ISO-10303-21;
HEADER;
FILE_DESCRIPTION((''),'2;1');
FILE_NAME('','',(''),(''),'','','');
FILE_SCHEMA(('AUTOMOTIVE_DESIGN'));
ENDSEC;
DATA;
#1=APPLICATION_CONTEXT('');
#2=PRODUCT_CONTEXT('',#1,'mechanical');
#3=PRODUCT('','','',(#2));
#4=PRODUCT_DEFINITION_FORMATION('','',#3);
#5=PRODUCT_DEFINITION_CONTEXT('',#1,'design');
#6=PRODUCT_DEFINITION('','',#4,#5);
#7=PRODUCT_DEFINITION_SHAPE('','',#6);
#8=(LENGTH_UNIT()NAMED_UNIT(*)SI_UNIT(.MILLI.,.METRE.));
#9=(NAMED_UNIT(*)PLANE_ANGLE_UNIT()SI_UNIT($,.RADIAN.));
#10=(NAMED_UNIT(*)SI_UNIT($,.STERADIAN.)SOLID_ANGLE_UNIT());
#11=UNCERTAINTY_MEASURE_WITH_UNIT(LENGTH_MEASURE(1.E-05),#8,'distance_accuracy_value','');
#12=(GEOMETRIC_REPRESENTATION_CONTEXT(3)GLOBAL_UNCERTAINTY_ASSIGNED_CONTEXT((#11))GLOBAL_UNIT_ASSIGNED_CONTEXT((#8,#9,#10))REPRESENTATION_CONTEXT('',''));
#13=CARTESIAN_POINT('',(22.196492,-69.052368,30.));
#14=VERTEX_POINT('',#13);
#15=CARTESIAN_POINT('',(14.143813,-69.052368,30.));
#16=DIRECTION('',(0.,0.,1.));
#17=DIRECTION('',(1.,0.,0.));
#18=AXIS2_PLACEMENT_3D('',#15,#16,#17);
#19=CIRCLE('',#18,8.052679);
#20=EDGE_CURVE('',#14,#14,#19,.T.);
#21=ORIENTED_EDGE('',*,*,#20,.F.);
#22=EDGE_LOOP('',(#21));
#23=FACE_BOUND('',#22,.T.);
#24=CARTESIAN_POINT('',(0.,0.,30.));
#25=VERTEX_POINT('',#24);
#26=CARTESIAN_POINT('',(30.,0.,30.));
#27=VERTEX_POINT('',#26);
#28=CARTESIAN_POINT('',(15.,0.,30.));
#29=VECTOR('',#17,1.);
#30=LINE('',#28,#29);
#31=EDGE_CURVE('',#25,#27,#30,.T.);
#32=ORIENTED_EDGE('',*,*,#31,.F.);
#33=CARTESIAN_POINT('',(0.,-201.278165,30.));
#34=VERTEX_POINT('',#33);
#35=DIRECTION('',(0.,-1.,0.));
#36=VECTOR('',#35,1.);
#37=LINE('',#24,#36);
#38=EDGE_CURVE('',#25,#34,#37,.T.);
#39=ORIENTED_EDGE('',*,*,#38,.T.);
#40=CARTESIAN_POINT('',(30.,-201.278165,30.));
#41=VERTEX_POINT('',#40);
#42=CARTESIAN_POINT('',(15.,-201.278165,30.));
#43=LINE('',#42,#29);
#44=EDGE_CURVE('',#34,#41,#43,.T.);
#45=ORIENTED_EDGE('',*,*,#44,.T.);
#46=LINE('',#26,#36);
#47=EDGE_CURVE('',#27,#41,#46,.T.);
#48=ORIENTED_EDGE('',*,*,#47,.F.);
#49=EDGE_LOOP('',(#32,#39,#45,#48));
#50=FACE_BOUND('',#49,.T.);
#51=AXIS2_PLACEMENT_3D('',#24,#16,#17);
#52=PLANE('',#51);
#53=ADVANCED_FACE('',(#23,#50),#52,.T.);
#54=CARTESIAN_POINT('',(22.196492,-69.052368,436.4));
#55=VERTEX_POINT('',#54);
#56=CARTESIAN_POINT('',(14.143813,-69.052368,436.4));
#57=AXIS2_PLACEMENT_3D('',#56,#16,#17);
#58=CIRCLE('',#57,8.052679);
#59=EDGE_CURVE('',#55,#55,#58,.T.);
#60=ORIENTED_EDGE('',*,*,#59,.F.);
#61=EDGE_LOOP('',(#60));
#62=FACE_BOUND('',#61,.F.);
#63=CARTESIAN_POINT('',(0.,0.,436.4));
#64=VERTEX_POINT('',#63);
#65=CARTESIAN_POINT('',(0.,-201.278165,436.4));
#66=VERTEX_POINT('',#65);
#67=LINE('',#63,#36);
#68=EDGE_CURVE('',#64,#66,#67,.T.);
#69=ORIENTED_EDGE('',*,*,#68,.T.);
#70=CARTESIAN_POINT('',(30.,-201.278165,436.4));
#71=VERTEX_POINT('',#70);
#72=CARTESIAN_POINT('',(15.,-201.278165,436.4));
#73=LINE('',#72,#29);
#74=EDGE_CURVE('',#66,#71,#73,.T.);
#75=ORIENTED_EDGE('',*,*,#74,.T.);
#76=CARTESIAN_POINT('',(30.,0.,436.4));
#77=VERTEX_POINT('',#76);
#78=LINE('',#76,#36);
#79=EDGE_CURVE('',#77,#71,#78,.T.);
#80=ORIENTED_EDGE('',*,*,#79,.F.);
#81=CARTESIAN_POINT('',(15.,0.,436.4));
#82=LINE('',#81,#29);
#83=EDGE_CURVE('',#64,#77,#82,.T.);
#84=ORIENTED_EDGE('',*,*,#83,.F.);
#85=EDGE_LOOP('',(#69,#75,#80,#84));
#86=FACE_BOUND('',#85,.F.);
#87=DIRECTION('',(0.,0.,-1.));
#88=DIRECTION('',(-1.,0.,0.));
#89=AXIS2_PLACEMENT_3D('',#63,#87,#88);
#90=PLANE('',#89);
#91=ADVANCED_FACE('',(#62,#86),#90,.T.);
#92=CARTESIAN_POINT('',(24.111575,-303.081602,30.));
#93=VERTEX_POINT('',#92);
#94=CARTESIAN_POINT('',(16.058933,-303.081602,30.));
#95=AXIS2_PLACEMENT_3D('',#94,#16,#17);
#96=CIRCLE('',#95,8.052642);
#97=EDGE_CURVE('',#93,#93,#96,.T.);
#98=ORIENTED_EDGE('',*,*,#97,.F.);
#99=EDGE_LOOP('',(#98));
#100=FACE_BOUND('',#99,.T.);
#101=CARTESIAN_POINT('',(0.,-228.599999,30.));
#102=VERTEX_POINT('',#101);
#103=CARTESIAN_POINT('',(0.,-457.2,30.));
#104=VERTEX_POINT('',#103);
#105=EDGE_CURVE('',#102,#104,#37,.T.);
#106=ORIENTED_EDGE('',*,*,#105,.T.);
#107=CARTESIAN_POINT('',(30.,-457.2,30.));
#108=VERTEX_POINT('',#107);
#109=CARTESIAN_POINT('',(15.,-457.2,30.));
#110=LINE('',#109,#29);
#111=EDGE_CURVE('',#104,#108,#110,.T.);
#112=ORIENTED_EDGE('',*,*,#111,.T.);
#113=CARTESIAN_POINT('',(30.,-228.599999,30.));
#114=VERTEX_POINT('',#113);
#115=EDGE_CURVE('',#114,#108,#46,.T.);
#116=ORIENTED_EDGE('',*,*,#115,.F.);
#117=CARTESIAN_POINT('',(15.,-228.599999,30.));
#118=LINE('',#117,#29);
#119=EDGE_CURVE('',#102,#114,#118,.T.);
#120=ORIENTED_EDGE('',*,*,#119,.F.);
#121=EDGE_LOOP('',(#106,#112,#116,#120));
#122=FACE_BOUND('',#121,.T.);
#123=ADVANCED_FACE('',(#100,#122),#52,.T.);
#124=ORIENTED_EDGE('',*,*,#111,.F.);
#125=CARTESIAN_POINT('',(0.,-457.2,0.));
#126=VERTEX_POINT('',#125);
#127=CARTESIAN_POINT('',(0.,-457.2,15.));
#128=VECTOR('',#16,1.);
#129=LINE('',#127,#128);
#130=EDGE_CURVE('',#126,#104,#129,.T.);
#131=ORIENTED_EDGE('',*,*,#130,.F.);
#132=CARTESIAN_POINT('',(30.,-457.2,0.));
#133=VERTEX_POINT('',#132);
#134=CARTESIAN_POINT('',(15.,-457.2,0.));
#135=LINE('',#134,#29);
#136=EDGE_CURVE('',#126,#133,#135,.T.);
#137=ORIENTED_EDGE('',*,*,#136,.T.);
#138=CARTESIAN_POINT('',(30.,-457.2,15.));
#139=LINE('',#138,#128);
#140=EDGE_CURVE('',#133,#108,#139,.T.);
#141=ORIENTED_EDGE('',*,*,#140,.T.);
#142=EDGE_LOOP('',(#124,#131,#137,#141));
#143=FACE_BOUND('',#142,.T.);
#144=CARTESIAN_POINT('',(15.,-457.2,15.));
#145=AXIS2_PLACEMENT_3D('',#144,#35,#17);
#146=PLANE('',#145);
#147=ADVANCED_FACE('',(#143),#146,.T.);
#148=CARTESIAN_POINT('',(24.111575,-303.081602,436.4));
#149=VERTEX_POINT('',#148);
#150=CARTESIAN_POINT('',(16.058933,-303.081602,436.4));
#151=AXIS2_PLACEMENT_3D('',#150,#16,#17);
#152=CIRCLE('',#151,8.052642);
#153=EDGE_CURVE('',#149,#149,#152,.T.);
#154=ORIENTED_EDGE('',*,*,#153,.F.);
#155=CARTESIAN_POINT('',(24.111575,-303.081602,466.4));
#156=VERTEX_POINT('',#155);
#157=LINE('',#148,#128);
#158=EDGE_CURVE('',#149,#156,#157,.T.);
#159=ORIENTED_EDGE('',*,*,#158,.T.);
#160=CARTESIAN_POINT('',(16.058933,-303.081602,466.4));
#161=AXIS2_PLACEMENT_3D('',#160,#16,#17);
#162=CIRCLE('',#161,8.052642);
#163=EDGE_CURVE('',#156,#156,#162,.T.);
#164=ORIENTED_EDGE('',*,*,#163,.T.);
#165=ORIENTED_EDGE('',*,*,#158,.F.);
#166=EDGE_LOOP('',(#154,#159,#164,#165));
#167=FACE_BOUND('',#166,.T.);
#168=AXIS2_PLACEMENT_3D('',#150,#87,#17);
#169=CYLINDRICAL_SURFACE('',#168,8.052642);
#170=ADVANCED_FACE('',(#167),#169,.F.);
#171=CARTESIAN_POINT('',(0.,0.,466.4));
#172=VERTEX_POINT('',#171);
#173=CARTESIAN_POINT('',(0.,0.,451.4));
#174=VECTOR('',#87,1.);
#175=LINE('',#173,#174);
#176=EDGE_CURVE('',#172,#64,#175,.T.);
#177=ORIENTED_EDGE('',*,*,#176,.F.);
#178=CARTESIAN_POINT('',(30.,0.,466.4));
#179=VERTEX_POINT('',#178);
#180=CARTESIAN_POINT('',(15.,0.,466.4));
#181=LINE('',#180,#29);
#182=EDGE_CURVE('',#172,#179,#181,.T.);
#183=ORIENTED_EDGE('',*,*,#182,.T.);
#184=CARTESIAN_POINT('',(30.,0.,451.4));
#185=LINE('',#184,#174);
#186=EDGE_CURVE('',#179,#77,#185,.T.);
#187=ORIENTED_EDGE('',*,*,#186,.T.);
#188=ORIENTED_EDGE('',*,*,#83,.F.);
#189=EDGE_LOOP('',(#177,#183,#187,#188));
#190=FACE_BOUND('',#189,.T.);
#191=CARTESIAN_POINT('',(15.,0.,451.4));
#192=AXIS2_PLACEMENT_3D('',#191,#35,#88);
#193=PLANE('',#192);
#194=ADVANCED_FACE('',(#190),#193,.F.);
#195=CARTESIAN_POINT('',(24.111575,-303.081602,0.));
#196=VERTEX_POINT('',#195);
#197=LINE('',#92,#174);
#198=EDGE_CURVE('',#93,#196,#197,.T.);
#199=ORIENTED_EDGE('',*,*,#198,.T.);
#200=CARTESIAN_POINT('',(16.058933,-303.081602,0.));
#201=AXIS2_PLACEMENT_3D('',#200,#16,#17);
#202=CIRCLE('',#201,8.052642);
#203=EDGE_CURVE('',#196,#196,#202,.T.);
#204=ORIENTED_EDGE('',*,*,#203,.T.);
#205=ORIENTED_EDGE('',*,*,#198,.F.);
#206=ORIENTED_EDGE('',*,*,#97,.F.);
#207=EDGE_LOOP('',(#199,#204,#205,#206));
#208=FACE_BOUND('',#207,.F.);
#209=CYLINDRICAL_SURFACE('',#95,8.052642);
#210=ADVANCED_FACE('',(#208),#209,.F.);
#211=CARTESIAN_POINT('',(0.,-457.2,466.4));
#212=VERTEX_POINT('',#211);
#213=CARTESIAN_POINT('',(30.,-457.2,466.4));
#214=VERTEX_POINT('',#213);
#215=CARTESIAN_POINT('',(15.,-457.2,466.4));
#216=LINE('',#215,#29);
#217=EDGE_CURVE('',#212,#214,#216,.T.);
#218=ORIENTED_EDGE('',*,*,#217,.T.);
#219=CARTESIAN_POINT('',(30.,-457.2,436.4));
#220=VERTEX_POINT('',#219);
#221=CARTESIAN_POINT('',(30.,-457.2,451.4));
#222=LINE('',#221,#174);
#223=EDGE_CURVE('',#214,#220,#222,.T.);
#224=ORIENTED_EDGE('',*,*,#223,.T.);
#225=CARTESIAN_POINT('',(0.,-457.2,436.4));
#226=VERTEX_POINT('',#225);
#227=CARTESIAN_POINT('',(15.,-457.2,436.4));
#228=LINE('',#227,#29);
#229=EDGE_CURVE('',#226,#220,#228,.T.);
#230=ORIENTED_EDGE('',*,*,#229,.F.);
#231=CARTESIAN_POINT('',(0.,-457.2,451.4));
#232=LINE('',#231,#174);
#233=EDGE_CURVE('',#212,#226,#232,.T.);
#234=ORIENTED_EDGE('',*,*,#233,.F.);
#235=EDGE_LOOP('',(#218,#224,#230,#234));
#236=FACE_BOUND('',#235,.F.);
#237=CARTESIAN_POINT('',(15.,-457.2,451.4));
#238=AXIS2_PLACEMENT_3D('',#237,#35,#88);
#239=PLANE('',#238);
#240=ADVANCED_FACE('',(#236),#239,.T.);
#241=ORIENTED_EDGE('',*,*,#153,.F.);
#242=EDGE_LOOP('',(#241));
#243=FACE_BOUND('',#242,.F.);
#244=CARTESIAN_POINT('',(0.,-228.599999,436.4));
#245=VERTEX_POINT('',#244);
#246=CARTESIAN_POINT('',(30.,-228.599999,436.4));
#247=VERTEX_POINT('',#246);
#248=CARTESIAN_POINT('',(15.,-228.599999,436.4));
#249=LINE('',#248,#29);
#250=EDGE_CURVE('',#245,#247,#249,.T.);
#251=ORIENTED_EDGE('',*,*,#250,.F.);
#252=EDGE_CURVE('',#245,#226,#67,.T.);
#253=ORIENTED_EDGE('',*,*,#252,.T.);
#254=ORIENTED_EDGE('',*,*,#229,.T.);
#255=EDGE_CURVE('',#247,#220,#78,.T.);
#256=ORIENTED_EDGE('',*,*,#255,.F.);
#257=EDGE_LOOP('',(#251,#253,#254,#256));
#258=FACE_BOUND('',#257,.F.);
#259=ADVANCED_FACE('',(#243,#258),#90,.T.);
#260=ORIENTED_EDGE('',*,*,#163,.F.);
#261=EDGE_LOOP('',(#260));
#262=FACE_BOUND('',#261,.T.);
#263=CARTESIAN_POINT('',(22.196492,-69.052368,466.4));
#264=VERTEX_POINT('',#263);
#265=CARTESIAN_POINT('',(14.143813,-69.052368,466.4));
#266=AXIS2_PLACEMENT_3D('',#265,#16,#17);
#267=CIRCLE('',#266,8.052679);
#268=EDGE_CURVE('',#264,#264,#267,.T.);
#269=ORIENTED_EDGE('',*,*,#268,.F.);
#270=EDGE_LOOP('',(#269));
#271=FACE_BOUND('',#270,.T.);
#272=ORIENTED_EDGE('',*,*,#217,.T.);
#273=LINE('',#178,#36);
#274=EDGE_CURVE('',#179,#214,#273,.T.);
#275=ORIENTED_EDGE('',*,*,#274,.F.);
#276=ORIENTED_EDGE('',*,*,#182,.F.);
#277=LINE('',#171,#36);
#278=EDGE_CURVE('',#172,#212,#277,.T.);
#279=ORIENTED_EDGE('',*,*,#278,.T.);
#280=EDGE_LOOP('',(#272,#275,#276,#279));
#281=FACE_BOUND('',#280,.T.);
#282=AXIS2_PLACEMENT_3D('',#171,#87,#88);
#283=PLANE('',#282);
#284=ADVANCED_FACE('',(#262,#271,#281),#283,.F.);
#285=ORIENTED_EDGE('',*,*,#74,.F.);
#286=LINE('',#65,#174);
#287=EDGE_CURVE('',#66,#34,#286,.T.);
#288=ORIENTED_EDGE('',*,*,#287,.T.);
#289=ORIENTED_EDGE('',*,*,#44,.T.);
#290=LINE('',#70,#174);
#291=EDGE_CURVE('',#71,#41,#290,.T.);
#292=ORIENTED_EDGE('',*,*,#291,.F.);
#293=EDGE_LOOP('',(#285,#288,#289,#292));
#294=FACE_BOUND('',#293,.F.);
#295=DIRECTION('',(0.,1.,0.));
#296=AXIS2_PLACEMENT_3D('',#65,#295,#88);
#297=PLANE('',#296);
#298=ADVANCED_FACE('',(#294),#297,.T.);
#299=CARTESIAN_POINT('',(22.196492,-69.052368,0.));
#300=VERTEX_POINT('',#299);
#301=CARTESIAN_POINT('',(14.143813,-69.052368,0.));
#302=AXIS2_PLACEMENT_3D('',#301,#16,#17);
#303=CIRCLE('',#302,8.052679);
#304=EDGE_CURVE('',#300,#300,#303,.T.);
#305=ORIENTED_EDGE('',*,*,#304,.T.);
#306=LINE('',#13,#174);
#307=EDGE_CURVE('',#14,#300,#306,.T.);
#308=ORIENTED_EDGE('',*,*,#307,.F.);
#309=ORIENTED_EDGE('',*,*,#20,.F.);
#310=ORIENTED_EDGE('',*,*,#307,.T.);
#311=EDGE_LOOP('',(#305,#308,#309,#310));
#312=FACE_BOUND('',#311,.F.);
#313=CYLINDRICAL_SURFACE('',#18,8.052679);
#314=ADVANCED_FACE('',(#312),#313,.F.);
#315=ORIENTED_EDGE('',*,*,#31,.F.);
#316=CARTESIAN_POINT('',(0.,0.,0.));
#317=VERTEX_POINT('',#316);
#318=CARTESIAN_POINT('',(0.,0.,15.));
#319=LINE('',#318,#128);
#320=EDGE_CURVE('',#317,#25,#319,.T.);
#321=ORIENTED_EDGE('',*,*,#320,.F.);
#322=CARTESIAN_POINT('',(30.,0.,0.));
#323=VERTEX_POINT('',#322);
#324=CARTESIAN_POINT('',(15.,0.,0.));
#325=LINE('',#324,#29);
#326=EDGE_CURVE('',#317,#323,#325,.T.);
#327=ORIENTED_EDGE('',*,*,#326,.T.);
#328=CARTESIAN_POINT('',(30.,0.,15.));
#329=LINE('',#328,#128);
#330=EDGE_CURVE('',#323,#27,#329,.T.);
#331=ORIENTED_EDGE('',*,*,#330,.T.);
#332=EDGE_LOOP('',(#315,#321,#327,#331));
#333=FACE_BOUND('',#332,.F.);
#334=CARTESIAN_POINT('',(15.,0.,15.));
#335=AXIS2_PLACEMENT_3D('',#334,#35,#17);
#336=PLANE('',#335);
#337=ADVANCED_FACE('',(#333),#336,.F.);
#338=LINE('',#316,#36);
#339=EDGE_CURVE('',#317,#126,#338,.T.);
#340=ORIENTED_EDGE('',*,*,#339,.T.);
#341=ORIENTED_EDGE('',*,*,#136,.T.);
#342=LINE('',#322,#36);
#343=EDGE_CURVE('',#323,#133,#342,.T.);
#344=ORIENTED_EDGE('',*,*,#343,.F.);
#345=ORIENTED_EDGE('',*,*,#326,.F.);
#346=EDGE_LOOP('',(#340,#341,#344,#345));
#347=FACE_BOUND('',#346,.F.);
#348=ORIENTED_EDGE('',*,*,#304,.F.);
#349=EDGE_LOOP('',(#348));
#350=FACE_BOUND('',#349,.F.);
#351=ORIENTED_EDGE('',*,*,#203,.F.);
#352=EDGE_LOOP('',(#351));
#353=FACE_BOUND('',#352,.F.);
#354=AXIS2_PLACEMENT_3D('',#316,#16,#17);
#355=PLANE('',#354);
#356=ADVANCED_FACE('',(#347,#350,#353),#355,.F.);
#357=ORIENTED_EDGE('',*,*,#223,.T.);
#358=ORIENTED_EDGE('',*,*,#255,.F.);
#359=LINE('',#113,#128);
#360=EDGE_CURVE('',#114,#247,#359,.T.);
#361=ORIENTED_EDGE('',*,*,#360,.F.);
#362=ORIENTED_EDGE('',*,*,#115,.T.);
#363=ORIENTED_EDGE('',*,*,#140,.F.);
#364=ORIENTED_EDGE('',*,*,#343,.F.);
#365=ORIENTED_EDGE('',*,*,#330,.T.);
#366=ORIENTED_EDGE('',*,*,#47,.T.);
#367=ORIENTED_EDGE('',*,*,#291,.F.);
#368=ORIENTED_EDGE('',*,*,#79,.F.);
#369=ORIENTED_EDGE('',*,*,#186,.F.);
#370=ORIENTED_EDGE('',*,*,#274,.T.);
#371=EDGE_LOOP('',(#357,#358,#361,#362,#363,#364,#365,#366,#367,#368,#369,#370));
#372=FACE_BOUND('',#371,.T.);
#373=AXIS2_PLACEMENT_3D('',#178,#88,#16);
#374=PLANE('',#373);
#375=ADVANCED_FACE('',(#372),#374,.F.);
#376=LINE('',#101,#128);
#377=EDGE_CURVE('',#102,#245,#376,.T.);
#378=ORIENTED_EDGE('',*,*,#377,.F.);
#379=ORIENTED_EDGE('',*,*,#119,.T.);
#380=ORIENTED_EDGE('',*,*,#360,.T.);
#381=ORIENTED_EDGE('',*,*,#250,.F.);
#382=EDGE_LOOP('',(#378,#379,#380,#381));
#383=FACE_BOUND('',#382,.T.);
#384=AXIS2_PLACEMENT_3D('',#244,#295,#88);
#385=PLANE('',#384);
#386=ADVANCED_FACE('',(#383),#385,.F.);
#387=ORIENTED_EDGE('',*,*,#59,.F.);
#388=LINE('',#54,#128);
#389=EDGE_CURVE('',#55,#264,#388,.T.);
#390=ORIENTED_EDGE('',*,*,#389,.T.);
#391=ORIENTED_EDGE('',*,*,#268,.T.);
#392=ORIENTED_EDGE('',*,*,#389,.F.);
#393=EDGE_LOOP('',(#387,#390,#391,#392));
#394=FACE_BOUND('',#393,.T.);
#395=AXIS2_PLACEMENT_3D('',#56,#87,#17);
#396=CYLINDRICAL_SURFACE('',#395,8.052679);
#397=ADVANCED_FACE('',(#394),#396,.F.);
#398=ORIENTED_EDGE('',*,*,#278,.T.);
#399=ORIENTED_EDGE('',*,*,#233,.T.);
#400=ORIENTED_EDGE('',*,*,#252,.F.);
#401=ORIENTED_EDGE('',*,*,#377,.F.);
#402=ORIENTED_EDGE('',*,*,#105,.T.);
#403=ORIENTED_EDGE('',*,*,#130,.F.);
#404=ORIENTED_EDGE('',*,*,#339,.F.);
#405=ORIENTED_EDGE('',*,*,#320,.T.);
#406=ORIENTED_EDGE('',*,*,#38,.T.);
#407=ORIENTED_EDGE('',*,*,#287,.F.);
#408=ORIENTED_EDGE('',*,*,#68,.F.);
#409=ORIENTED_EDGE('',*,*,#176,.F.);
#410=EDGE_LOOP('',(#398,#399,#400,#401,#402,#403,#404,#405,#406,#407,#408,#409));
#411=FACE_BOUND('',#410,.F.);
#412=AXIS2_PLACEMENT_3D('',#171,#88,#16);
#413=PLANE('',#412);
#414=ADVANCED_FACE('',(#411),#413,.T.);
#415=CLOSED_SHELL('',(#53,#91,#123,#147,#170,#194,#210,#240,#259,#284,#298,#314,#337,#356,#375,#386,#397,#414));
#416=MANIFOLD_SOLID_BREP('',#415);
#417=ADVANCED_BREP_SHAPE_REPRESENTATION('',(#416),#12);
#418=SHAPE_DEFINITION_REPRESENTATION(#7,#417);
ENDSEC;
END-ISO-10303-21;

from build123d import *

# Parameters (mm, degrees)
F0_W     = 30
F0_H     = 30
F1_DEPTH = 457.2
F2_R     = 8.052642
F2_R_2   = 8.052679
F3_DEPTH = 30.001
F5_W     = 30
F5_H     = 27.321835
F6_DEPTH = 203.2


with BuildPart() as f1:
    # F0 (on Front) → F1 (new body)
    with BuildSketch(Plane.XZ):
        with Locations((15, 15)):
            Rectangle(F0_W, F0_H)
    extrude(amount=F1_DEPTH)

    # F2 (on face) → F3 (cut, through all)
    with BuildSketch(Plane.XY.offset(30)):
        with Locations((16.058933, -303.081602)):
            Circle(F2_R)
        with Locations((14.143813, -69.052368)):
            Circle(F2_R_2)
    extrude(amount=-F3_DEPTH, mode=Mode.SUBTRACT)

    # F5 (on face) → F6 (join)
    with BuildSketch(Plane.XY.offset(30)):
        with Locations((15, -214.939082)):
            Rectangle(F5_W, F5_H)
    extrude(amount=F6_DEPTH)

    # F7: F1 across plane


with BuildPart() as f1_1:
    add(f1.part)
    add(f1.part.mirror(Plane(origin=(14.996897, -229.902144, 233.2), x_dir=(1, 0, 0), z_dir=(0, 0, 1))))


solid = f1_1.part
